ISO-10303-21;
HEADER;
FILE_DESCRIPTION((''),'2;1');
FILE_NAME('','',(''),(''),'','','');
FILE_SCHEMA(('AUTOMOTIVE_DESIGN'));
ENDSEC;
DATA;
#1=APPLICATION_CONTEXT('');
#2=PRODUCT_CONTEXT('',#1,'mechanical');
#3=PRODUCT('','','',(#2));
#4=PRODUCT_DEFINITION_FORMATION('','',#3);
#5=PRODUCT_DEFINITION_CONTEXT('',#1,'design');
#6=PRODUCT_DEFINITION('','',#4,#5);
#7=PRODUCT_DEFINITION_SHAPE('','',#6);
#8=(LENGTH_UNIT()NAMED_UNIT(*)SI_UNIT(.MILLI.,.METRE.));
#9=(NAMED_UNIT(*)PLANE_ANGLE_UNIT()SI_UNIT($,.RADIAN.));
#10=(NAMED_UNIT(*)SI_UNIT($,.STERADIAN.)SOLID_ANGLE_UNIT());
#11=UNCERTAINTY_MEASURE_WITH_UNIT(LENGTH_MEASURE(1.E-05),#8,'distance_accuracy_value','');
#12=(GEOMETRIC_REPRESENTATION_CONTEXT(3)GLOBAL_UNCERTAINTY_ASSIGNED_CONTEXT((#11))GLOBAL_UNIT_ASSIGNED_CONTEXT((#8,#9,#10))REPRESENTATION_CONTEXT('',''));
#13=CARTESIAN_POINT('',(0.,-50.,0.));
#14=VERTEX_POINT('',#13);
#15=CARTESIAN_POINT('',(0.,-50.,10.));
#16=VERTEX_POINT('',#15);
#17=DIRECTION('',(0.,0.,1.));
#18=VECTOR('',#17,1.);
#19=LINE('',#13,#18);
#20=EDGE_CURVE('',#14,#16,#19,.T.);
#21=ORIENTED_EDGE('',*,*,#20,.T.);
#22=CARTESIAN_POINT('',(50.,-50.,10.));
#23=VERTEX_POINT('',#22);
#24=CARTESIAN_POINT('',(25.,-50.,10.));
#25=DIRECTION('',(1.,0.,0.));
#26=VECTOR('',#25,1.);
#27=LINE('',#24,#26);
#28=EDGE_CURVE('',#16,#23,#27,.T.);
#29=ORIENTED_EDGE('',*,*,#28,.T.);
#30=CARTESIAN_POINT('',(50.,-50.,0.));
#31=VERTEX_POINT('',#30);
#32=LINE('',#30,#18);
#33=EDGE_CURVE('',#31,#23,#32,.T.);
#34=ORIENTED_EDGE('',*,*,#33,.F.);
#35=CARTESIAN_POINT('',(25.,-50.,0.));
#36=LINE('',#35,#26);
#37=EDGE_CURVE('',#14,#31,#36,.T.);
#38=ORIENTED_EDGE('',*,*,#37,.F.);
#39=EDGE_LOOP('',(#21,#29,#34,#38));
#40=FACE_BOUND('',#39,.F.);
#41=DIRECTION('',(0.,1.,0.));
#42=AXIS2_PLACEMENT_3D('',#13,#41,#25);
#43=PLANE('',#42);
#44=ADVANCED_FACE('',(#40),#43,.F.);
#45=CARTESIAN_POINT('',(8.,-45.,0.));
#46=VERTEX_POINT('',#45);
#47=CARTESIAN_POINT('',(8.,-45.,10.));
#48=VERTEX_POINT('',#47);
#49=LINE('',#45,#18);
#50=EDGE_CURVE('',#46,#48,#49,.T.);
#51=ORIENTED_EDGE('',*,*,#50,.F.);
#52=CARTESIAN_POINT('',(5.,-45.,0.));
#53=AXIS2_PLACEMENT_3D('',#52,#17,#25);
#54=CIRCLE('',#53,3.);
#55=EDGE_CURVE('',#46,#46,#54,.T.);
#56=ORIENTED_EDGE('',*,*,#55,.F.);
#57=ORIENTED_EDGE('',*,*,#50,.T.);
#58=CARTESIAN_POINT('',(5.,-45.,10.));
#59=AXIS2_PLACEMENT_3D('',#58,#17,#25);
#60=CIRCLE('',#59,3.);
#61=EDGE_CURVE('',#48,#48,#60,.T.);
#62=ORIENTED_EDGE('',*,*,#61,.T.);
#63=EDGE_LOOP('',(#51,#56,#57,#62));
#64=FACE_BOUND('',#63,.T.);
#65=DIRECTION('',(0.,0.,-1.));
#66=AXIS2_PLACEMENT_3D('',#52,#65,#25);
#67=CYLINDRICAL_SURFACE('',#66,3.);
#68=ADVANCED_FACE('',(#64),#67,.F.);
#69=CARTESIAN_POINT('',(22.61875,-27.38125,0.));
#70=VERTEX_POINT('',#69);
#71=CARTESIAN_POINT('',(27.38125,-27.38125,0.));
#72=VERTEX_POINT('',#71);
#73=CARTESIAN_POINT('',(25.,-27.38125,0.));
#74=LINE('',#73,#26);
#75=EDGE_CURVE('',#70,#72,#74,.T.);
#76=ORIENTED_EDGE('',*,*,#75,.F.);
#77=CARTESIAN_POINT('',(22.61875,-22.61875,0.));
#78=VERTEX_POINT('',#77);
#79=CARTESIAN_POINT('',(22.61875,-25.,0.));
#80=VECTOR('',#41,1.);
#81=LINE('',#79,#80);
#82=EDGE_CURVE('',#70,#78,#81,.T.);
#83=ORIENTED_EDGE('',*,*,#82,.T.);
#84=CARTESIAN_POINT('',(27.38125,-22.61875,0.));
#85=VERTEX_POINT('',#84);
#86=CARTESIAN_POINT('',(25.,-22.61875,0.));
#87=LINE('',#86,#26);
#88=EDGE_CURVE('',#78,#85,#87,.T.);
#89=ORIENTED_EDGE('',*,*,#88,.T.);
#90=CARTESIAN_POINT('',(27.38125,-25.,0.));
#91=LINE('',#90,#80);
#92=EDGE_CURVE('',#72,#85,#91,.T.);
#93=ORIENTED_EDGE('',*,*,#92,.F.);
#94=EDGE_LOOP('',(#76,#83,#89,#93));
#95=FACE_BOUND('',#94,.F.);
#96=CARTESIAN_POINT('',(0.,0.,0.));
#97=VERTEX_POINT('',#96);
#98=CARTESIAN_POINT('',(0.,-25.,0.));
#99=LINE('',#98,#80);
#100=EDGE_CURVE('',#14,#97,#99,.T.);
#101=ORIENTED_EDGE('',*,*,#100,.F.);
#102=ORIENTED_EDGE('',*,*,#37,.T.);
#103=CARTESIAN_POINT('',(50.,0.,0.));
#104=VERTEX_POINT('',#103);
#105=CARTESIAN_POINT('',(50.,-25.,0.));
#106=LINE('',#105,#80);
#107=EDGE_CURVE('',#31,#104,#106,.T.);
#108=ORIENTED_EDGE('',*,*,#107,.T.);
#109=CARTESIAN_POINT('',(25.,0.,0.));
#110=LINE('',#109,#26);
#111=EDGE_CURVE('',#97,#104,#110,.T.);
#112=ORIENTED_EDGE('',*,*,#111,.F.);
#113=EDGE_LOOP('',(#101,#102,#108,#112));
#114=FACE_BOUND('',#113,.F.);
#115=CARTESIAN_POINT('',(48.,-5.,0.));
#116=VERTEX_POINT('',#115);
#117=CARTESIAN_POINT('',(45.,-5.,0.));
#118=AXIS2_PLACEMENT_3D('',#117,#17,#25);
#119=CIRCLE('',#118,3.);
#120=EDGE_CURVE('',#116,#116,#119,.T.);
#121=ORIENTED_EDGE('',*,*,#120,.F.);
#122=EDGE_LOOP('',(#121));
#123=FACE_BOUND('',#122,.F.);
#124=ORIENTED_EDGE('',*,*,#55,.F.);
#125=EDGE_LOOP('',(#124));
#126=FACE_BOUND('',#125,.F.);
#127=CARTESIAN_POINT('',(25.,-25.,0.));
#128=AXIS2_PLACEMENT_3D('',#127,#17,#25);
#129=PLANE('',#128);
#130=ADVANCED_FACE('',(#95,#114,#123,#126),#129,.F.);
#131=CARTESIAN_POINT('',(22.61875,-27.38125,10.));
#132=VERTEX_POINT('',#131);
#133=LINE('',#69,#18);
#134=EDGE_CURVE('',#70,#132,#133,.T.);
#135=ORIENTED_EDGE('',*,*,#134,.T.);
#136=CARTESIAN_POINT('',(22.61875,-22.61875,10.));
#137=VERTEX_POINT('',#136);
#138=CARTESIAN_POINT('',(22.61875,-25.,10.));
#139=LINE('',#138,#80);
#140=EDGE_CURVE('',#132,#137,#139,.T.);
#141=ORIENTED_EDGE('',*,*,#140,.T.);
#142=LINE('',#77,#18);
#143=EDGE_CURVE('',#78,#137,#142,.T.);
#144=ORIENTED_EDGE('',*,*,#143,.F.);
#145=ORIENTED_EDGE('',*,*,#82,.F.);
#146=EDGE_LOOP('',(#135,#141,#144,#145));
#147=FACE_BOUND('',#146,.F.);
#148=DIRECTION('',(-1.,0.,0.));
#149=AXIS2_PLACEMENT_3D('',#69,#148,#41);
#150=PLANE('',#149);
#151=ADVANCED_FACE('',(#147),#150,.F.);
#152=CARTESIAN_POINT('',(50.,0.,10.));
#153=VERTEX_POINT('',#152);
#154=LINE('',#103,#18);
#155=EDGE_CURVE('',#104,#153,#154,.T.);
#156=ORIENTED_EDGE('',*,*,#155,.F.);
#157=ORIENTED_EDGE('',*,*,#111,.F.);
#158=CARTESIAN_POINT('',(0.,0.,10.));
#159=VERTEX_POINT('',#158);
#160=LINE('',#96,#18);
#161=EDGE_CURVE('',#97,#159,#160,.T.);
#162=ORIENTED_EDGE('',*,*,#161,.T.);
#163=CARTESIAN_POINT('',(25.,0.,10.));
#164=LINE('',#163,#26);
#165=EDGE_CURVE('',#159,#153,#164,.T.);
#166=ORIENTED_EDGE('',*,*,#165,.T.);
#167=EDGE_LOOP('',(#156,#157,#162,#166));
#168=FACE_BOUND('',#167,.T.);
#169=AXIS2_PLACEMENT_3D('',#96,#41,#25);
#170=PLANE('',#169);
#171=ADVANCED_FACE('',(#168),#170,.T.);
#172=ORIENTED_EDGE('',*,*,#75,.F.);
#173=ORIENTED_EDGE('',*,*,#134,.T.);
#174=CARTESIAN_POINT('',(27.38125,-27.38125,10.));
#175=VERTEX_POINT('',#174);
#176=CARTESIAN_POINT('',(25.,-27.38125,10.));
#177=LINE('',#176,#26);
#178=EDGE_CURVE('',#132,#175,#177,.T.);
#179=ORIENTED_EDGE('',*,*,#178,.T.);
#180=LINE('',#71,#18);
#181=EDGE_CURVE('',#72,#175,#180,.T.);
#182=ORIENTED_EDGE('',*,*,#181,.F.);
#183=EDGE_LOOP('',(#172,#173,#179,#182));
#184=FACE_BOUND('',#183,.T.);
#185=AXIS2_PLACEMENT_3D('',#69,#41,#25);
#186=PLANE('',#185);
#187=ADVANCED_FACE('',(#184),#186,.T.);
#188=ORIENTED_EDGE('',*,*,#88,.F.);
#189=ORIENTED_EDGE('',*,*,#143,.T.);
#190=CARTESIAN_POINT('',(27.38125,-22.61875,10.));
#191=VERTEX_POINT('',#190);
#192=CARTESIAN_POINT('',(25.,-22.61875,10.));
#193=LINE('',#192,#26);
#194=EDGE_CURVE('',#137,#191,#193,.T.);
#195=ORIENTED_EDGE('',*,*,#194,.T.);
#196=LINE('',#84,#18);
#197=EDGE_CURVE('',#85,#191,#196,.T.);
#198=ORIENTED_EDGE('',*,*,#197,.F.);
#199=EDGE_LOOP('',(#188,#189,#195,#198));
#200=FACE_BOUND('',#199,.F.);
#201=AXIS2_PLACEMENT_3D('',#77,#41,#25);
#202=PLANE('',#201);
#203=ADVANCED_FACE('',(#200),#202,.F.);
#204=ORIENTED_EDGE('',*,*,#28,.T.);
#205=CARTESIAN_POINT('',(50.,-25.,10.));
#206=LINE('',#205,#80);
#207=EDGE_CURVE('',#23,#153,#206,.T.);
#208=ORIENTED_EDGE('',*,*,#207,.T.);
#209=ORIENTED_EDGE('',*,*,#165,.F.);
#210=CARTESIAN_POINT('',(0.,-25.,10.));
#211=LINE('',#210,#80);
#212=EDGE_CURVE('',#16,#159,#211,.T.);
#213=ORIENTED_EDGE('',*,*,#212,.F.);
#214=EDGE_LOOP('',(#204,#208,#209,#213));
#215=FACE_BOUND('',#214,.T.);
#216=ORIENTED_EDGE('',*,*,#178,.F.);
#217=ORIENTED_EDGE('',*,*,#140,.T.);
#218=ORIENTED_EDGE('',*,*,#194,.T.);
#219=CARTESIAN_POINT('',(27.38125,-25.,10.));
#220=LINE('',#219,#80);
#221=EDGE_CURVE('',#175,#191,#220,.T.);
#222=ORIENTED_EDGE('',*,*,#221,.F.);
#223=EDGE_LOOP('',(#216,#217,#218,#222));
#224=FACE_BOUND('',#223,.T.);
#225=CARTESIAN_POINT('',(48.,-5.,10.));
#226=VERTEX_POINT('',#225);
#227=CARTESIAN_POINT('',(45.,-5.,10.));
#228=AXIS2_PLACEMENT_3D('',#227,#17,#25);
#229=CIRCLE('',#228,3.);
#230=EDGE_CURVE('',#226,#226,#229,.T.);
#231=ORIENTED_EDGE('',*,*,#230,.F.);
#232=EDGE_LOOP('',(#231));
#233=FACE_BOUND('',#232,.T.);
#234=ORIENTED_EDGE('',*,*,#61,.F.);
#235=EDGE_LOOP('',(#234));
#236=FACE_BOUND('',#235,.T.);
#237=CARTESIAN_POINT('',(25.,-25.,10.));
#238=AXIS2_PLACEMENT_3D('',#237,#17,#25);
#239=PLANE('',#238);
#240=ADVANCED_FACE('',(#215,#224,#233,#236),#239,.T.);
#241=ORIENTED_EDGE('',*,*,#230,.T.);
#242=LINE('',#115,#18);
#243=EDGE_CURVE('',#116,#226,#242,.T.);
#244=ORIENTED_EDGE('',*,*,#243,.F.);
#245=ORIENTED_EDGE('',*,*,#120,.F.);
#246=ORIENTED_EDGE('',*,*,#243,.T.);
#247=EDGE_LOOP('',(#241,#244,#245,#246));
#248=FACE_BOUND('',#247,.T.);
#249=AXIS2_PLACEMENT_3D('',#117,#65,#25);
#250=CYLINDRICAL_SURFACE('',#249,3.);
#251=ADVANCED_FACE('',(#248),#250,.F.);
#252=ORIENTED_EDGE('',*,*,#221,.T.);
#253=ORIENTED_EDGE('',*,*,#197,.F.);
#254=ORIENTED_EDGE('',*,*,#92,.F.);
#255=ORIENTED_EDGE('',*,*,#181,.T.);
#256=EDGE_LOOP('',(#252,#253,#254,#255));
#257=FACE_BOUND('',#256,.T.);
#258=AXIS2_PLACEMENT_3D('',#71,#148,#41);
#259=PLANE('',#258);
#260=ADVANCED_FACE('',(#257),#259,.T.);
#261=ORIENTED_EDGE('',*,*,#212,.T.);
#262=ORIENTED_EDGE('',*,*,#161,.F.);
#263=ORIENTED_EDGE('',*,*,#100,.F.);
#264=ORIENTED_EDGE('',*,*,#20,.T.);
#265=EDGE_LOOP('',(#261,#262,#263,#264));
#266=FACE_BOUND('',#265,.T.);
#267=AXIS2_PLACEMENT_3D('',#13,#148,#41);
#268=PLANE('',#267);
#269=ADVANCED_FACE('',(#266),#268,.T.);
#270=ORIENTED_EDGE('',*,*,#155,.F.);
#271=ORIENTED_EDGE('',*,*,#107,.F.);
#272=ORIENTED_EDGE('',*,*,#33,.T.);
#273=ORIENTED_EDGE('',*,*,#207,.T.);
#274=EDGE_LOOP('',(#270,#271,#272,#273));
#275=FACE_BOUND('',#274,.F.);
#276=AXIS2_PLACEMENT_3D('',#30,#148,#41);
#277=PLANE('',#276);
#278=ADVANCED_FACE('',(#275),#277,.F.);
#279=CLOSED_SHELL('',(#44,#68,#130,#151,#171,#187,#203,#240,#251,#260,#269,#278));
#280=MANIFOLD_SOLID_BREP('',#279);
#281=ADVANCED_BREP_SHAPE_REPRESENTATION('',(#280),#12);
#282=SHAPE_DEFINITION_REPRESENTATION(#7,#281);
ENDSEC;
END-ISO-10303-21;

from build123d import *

# Parameters (mm, degrees)
F0_W     = 50
F0_H     = 50
F0_R     = 3
F0_W_2   = 4.7625
F0_H_2   = 4.7625
F1_DEPTH = 10


with BuildPart() as f1:
    # F0 (on Top) → F1 (new body)
    with BuildSketch(Plane.XY):
        with Locations((25, -25)):
            Rectangle(F0_W, F0_H)
        with Locations((5, -45)):
            Circle(F0_R, mode=Mode.SUBTRACT)
        with Locations((25, -25)):
            Rectangle(F0_W_2, F0_H_2, mode=Mode.SUBTRACT)
        with Locations((45, -5)):
            Circle(F0_R, mode=Mode.SUBTRACT)
    extrude(amount=F1_DEPTH)


solid = f1.part
